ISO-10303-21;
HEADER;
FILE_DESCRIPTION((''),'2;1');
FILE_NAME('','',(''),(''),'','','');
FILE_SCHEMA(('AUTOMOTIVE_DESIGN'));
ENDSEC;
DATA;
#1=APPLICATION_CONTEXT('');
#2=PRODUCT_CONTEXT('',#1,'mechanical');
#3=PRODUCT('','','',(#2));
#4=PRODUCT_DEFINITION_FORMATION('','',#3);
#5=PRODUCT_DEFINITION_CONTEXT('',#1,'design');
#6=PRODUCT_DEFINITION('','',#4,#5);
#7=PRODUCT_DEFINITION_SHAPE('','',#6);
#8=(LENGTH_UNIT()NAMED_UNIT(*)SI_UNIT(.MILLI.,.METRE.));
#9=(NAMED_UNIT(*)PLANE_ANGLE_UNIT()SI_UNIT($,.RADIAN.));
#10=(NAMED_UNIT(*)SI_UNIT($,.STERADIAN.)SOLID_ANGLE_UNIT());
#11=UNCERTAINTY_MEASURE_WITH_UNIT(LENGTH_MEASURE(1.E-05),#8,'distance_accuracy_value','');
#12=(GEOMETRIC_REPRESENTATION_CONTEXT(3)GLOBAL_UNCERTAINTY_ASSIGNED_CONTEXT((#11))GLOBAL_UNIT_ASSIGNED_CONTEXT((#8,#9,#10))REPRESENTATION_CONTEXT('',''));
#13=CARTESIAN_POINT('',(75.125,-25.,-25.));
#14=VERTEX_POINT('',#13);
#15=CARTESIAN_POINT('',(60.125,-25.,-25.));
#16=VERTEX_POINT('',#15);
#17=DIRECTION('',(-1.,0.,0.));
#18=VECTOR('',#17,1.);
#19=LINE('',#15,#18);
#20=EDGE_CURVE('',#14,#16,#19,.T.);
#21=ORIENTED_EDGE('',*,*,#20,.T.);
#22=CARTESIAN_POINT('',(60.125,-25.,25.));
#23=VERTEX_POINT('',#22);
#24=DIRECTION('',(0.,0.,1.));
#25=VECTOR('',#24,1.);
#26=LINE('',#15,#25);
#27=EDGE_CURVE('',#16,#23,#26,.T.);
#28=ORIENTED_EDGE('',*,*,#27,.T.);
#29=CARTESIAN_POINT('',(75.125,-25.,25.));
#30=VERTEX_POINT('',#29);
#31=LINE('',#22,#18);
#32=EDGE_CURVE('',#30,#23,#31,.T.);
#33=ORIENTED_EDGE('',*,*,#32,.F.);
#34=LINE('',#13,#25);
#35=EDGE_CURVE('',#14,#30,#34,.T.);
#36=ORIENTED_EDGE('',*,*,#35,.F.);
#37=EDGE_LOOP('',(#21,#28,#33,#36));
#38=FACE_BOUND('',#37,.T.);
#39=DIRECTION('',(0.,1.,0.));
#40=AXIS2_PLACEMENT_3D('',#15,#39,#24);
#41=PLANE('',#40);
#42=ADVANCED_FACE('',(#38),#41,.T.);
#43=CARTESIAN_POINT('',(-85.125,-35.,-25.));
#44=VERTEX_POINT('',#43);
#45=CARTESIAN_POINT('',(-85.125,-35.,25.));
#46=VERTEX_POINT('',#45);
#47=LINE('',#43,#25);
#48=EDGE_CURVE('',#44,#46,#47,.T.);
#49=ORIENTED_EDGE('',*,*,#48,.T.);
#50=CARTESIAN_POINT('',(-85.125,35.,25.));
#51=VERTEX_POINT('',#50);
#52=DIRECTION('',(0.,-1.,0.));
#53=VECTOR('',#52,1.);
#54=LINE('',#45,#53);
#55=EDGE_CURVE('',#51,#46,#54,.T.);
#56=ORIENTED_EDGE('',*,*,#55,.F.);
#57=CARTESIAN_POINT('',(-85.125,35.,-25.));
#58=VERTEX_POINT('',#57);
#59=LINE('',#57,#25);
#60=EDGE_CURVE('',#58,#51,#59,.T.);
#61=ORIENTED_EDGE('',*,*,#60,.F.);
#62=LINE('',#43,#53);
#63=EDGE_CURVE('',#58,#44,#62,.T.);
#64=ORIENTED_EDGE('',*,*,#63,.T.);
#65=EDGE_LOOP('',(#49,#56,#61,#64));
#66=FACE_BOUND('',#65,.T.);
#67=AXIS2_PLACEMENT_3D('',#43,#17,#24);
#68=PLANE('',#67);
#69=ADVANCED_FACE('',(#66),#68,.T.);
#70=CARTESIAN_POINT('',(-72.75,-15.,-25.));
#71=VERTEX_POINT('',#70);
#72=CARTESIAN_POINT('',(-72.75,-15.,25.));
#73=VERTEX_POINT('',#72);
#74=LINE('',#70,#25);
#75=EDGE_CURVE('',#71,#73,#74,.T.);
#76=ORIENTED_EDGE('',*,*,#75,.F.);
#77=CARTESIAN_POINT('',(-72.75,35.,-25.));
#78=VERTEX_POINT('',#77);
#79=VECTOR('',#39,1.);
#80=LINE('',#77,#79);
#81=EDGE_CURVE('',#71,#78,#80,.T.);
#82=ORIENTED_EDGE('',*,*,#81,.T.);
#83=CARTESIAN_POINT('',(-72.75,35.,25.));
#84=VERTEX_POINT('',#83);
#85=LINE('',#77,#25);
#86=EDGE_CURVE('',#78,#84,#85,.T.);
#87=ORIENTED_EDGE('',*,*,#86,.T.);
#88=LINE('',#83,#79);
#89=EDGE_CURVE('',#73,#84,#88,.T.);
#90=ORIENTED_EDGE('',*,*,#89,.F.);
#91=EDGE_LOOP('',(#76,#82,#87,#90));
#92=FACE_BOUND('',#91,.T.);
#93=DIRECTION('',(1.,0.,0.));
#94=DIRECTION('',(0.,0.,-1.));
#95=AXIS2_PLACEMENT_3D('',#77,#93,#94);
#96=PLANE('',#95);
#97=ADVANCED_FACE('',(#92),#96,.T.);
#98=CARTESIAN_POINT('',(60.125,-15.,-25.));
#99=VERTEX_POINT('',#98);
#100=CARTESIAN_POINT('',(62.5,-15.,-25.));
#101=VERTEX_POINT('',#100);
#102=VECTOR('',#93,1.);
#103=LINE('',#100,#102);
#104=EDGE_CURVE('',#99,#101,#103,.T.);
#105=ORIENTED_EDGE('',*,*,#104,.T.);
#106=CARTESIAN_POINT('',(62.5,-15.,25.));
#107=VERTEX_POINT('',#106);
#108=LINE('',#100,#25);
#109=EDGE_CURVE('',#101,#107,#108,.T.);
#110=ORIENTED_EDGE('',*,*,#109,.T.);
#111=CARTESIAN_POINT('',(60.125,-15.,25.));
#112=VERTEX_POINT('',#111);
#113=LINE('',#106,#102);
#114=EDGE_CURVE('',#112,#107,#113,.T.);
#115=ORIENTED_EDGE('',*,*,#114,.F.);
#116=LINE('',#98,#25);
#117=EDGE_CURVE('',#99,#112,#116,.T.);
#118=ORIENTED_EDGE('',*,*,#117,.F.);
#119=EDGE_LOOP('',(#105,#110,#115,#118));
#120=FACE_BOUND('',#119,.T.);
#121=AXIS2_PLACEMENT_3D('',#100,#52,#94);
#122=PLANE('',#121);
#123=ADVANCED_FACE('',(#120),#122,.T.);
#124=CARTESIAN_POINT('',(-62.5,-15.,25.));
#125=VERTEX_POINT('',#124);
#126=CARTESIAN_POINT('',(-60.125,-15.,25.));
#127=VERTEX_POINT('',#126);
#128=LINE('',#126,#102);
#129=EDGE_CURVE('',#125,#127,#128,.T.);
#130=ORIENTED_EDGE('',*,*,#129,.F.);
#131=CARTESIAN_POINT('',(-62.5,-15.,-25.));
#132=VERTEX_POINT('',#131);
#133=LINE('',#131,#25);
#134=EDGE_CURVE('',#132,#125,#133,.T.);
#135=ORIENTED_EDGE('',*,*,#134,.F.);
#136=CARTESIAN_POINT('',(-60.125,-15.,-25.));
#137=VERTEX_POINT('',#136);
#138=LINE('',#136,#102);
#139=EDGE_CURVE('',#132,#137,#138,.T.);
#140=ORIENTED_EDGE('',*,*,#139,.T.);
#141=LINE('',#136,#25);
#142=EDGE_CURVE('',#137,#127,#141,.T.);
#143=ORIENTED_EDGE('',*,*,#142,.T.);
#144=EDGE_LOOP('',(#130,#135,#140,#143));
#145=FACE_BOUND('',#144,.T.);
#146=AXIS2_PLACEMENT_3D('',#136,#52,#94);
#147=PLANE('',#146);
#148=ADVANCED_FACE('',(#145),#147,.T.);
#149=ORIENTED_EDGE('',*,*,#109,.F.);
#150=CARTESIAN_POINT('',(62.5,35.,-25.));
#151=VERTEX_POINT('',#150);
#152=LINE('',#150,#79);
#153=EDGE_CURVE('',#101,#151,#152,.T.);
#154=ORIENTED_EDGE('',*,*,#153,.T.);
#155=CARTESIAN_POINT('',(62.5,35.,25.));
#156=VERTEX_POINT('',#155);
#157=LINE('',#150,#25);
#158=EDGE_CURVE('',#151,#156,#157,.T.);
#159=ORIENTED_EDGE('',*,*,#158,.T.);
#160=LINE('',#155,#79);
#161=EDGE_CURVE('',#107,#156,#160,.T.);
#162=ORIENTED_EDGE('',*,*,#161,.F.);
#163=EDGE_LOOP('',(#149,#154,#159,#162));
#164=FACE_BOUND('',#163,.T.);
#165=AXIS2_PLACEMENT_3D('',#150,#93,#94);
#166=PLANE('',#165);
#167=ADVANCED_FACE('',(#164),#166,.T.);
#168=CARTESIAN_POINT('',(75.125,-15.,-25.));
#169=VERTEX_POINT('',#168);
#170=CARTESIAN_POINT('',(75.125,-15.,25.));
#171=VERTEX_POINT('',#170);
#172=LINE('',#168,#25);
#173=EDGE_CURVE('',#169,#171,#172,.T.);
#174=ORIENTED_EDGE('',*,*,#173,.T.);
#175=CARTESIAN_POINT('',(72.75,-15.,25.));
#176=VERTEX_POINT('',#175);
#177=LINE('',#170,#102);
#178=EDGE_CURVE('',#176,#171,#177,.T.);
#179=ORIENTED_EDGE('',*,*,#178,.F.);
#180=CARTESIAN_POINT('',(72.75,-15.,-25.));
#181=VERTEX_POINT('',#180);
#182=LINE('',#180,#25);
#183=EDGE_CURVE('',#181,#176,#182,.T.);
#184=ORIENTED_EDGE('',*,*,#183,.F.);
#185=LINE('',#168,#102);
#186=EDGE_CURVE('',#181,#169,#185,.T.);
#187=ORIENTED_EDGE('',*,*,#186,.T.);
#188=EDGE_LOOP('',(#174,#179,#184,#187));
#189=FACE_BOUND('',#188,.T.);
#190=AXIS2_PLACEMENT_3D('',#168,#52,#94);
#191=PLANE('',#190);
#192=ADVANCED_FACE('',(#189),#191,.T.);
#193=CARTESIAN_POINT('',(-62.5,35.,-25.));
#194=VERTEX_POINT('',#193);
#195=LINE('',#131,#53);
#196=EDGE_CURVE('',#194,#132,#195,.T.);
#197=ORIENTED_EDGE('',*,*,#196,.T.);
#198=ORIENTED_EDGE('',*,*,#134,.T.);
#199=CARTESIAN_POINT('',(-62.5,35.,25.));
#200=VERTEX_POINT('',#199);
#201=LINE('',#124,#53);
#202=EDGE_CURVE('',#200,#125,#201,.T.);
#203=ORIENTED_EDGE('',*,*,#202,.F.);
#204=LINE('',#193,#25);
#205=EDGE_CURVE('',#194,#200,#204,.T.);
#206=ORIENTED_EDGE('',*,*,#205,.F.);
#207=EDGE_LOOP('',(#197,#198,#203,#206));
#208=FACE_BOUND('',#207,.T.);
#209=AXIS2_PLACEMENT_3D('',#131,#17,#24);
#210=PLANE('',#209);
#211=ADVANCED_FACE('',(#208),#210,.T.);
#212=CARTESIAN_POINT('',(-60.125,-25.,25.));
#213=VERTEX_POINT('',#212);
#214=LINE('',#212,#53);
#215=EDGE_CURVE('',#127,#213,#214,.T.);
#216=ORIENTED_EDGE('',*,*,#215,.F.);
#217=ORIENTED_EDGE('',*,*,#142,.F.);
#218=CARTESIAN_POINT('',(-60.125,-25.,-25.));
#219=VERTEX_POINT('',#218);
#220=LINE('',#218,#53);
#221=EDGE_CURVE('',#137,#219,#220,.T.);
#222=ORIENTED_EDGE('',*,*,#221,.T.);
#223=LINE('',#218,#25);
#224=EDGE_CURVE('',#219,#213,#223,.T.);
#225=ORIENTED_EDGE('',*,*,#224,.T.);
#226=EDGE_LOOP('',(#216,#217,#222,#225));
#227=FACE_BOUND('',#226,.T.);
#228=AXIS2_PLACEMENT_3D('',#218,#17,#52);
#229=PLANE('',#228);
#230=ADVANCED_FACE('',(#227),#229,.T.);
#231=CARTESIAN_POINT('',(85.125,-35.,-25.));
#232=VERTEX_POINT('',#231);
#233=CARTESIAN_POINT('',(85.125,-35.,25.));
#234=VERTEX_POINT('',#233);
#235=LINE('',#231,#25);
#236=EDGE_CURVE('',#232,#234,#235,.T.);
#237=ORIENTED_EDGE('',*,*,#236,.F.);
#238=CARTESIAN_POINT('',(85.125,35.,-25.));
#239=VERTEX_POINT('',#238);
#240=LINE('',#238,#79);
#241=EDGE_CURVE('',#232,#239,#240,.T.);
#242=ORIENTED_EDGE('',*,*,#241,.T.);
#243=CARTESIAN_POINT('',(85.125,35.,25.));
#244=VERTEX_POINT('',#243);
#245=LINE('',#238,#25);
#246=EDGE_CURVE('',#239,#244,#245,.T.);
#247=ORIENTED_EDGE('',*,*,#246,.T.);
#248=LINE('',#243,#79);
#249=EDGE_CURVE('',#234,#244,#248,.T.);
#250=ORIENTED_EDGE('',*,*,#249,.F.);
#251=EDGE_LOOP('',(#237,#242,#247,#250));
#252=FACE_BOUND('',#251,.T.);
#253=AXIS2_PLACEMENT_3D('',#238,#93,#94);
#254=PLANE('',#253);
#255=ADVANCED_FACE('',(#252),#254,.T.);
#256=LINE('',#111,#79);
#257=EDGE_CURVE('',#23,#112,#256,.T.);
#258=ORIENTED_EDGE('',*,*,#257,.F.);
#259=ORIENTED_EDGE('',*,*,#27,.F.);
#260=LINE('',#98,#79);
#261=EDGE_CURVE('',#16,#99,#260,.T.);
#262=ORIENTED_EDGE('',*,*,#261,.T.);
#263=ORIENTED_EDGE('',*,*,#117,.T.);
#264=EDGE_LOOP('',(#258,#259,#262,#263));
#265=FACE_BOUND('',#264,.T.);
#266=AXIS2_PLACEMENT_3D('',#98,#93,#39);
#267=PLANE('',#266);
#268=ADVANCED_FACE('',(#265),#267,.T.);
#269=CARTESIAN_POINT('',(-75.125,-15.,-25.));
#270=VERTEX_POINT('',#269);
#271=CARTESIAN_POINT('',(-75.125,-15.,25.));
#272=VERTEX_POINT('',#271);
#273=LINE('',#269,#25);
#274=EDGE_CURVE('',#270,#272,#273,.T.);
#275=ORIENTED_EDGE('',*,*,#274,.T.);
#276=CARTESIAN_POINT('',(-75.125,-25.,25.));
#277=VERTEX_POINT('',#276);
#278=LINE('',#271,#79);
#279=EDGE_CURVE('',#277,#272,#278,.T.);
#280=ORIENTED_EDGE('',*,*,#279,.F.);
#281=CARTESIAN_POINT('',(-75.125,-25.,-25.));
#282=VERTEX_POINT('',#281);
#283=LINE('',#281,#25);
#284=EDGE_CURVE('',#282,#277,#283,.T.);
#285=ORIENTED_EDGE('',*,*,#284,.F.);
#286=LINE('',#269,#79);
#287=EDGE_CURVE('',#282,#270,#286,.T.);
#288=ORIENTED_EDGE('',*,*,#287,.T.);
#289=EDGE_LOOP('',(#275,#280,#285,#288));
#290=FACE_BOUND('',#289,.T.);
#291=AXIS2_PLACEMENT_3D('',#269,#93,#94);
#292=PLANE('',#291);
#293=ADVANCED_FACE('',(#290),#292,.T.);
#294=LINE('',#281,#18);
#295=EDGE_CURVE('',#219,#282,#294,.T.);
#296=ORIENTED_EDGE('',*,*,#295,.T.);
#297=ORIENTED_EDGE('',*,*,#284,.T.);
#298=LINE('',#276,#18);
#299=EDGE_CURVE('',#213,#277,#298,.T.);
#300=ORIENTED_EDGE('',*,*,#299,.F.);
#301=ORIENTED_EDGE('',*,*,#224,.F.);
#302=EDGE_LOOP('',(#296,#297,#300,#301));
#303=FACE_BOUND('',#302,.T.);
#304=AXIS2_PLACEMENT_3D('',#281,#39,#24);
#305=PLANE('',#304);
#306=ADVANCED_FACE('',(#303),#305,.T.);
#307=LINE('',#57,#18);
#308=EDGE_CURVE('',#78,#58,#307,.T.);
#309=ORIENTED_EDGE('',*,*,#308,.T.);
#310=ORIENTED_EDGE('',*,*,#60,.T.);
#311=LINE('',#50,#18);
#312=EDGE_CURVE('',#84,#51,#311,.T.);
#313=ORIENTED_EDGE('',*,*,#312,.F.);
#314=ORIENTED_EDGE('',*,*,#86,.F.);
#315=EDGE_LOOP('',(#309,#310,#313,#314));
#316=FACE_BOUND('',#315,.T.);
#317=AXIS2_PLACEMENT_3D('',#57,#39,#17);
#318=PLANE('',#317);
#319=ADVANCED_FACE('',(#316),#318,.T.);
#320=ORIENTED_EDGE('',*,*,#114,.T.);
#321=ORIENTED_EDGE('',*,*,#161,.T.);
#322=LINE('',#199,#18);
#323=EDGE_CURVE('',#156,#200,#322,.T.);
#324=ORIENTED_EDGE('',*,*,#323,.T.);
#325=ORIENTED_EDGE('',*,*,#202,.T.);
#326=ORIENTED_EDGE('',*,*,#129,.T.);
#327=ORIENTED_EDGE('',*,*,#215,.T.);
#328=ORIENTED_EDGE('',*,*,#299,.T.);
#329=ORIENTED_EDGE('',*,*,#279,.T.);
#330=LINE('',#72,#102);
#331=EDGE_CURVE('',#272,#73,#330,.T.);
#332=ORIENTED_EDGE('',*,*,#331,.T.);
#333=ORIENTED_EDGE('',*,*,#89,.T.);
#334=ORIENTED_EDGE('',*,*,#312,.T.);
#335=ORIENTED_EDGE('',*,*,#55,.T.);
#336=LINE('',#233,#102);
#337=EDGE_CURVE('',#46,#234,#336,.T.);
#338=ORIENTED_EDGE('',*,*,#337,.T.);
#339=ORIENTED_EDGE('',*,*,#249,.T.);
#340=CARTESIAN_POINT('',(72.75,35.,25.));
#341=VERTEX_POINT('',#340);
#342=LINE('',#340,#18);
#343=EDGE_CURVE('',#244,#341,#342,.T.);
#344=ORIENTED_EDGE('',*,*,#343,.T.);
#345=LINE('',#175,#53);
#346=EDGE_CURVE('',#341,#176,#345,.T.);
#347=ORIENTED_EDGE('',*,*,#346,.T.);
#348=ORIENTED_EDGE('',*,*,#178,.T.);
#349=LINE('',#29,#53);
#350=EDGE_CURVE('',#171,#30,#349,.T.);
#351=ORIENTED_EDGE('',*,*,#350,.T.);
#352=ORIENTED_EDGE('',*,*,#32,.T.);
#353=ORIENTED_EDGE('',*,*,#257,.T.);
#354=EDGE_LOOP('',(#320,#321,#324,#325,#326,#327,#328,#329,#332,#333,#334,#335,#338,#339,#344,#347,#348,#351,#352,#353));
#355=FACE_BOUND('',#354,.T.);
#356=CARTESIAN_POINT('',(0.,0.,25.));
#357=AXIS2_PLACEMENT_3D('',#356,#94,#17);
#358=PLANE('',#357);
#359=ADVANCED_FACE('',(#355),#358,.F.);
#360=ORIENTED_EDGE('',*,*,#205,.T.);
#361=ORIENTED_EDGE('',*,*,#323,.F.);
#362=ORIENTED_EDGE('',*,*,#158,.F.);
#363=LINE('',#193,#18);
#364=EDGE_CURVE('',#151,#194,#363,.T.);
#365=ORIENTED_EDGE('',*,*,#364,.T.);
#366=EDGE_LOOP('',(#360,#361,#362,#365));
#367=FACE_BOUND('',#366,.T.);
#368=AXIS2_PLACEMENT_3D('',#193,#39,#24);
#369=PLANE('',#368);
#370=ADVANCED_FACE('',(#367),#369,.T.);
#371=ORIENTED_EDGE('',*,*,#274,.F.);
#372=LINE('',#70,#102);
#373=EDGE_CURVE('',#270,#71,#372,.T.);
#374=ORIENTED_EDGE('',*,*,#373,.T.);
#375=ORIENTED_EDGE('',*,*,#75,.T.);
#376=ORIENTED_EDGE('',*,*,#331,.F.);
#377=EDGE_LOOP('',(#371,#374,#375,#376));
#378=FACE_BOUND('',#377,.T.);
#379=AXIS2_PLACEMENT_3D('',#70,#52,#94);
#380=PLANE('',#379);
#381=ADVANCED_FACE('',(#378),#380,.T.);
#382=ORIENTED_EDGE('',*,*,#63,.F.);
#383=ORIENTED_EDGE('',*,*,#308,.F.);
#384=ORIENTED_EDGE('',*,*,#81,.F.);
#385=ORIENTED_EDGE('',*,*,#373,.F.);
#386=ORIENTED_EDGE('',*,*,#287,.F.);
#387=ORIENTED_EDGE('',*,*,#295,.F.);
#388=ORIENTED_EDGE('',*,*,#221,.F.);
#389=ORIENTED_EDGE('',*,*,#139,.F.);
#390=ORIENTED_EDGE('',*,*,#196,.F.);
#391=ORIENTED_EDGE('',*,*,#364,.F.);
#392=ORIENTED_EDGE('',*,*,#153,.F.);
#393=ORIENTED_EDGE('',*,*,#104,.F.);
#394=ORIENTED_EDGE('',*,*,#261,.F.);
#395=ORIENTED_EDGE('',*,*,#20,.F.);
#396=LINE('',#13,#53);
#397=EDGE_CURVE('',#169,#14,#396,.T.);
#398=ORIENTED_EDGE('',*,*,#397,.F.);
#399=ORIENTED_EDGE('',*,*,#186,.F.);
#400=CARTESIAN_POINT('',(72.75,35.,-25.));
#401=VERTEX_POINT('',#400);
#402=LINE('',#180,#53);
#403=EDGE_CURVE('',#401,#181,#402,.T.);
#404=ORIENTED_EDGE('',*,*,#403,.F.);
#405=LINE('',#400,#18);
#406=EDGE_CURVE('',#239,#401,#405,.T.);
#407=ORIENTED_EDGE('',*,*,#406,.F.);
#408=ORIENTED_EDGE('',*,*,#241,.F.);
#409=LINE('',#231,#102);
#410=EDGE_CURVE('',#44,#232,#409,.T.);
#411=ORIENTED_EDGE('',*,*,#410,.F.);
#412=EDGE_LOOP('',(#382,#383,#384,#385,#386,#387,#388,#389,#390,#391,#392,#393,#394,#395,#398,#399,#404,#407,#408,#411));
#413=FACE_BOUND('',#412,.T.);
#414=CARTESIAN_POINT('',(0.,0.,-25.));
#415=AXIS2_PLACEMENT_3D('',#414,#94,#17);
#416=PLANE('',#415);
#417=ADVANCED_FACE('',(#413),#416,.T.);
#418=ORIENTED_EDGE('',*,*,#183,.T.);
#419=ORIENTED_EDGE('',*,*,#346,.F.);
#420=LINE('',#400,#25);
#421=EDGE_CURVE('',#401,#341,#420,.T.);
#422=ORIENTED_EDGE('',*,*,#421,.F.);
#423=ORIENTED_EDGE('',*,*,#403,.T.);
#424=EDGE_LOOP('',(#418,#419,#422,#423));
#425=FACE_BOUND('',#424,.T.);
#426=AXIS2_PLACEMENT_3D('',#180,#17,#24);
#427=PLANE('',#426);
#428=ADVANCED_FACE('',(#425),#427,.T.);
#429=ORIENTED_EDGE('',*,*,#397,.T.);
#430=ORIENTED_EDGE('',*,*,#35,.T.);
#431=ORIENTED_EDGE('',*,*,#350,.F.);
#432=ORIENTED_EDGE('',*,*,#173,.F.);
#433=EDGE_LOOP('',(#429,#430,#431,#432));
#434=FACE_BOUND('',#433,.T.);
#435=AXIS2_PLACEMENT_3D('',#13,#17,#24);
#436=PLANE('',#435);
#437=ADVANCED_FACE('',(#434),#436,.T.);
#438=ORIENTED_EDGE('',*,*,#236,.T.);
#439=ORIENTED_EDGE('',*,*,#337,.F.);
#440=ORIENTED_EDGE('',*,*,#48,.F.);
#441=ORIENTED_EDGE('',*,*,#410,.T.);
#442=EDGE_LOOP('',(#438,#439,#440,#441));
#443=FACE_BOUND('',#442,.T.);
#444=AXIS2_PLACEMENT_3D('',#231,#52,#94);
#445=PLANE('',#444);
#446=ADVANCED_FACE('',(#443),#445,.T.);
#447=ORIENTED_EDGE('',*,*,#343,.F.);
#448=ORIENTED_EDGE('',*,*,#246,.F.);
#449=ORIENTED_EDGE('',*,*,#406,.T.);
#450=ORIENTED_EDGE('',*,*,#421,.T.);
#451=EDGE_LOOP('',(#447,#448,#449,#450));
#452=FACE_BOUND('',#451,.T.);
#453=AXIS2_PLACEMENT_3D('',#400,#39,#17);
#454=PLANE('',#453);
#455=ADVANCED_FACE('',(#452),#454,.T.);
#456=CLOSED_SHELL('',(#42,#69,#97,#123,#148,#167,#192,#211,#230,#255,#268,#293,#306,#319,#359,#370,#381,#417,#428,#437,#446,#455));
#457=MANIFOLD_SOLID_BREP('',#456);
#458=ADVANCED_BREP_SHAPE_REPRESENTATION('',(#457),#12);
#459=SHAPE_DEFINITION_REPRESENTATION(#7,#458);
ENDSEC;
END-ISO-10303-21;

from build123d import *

# Parameters (mm, degrees)
BOSS_EXTRUDE1_DEPTH      = 25
BOSS_EXTRUDE1_DEPTH_BACK = 25


with BuildPart() as part:
    # Sketch1 → Boss-Extrude1 (new, two sides: drawn at the far end of the back side and taken through both)
    with BuildSketch(Plane.XY.offset(-BOSS_EXTRUDE1_DEPTH_BACK)):
        Polygon((85.125, -35), (-85.125, -35), (-85.125, 35), (-72.75, 35), (-72.75, -15), (-75.125, -15), (-75.125, -25), (-60.125, -25), (-60.125, -15), (-62.5, -15), (-62.5, 35), (62.5, 35), (62.5, -15), (60.125, -15), (60.125, -25), (75.125, -25), (75.125, -15), (72.75, -15), (72.75, 35), (85.125, 35), align=None)
    extrude(amount=BOSS_EXTRUDE1_DEPTH + BOSS_EXTRUDE1_DEPTH_BACK)


solid = part.part
